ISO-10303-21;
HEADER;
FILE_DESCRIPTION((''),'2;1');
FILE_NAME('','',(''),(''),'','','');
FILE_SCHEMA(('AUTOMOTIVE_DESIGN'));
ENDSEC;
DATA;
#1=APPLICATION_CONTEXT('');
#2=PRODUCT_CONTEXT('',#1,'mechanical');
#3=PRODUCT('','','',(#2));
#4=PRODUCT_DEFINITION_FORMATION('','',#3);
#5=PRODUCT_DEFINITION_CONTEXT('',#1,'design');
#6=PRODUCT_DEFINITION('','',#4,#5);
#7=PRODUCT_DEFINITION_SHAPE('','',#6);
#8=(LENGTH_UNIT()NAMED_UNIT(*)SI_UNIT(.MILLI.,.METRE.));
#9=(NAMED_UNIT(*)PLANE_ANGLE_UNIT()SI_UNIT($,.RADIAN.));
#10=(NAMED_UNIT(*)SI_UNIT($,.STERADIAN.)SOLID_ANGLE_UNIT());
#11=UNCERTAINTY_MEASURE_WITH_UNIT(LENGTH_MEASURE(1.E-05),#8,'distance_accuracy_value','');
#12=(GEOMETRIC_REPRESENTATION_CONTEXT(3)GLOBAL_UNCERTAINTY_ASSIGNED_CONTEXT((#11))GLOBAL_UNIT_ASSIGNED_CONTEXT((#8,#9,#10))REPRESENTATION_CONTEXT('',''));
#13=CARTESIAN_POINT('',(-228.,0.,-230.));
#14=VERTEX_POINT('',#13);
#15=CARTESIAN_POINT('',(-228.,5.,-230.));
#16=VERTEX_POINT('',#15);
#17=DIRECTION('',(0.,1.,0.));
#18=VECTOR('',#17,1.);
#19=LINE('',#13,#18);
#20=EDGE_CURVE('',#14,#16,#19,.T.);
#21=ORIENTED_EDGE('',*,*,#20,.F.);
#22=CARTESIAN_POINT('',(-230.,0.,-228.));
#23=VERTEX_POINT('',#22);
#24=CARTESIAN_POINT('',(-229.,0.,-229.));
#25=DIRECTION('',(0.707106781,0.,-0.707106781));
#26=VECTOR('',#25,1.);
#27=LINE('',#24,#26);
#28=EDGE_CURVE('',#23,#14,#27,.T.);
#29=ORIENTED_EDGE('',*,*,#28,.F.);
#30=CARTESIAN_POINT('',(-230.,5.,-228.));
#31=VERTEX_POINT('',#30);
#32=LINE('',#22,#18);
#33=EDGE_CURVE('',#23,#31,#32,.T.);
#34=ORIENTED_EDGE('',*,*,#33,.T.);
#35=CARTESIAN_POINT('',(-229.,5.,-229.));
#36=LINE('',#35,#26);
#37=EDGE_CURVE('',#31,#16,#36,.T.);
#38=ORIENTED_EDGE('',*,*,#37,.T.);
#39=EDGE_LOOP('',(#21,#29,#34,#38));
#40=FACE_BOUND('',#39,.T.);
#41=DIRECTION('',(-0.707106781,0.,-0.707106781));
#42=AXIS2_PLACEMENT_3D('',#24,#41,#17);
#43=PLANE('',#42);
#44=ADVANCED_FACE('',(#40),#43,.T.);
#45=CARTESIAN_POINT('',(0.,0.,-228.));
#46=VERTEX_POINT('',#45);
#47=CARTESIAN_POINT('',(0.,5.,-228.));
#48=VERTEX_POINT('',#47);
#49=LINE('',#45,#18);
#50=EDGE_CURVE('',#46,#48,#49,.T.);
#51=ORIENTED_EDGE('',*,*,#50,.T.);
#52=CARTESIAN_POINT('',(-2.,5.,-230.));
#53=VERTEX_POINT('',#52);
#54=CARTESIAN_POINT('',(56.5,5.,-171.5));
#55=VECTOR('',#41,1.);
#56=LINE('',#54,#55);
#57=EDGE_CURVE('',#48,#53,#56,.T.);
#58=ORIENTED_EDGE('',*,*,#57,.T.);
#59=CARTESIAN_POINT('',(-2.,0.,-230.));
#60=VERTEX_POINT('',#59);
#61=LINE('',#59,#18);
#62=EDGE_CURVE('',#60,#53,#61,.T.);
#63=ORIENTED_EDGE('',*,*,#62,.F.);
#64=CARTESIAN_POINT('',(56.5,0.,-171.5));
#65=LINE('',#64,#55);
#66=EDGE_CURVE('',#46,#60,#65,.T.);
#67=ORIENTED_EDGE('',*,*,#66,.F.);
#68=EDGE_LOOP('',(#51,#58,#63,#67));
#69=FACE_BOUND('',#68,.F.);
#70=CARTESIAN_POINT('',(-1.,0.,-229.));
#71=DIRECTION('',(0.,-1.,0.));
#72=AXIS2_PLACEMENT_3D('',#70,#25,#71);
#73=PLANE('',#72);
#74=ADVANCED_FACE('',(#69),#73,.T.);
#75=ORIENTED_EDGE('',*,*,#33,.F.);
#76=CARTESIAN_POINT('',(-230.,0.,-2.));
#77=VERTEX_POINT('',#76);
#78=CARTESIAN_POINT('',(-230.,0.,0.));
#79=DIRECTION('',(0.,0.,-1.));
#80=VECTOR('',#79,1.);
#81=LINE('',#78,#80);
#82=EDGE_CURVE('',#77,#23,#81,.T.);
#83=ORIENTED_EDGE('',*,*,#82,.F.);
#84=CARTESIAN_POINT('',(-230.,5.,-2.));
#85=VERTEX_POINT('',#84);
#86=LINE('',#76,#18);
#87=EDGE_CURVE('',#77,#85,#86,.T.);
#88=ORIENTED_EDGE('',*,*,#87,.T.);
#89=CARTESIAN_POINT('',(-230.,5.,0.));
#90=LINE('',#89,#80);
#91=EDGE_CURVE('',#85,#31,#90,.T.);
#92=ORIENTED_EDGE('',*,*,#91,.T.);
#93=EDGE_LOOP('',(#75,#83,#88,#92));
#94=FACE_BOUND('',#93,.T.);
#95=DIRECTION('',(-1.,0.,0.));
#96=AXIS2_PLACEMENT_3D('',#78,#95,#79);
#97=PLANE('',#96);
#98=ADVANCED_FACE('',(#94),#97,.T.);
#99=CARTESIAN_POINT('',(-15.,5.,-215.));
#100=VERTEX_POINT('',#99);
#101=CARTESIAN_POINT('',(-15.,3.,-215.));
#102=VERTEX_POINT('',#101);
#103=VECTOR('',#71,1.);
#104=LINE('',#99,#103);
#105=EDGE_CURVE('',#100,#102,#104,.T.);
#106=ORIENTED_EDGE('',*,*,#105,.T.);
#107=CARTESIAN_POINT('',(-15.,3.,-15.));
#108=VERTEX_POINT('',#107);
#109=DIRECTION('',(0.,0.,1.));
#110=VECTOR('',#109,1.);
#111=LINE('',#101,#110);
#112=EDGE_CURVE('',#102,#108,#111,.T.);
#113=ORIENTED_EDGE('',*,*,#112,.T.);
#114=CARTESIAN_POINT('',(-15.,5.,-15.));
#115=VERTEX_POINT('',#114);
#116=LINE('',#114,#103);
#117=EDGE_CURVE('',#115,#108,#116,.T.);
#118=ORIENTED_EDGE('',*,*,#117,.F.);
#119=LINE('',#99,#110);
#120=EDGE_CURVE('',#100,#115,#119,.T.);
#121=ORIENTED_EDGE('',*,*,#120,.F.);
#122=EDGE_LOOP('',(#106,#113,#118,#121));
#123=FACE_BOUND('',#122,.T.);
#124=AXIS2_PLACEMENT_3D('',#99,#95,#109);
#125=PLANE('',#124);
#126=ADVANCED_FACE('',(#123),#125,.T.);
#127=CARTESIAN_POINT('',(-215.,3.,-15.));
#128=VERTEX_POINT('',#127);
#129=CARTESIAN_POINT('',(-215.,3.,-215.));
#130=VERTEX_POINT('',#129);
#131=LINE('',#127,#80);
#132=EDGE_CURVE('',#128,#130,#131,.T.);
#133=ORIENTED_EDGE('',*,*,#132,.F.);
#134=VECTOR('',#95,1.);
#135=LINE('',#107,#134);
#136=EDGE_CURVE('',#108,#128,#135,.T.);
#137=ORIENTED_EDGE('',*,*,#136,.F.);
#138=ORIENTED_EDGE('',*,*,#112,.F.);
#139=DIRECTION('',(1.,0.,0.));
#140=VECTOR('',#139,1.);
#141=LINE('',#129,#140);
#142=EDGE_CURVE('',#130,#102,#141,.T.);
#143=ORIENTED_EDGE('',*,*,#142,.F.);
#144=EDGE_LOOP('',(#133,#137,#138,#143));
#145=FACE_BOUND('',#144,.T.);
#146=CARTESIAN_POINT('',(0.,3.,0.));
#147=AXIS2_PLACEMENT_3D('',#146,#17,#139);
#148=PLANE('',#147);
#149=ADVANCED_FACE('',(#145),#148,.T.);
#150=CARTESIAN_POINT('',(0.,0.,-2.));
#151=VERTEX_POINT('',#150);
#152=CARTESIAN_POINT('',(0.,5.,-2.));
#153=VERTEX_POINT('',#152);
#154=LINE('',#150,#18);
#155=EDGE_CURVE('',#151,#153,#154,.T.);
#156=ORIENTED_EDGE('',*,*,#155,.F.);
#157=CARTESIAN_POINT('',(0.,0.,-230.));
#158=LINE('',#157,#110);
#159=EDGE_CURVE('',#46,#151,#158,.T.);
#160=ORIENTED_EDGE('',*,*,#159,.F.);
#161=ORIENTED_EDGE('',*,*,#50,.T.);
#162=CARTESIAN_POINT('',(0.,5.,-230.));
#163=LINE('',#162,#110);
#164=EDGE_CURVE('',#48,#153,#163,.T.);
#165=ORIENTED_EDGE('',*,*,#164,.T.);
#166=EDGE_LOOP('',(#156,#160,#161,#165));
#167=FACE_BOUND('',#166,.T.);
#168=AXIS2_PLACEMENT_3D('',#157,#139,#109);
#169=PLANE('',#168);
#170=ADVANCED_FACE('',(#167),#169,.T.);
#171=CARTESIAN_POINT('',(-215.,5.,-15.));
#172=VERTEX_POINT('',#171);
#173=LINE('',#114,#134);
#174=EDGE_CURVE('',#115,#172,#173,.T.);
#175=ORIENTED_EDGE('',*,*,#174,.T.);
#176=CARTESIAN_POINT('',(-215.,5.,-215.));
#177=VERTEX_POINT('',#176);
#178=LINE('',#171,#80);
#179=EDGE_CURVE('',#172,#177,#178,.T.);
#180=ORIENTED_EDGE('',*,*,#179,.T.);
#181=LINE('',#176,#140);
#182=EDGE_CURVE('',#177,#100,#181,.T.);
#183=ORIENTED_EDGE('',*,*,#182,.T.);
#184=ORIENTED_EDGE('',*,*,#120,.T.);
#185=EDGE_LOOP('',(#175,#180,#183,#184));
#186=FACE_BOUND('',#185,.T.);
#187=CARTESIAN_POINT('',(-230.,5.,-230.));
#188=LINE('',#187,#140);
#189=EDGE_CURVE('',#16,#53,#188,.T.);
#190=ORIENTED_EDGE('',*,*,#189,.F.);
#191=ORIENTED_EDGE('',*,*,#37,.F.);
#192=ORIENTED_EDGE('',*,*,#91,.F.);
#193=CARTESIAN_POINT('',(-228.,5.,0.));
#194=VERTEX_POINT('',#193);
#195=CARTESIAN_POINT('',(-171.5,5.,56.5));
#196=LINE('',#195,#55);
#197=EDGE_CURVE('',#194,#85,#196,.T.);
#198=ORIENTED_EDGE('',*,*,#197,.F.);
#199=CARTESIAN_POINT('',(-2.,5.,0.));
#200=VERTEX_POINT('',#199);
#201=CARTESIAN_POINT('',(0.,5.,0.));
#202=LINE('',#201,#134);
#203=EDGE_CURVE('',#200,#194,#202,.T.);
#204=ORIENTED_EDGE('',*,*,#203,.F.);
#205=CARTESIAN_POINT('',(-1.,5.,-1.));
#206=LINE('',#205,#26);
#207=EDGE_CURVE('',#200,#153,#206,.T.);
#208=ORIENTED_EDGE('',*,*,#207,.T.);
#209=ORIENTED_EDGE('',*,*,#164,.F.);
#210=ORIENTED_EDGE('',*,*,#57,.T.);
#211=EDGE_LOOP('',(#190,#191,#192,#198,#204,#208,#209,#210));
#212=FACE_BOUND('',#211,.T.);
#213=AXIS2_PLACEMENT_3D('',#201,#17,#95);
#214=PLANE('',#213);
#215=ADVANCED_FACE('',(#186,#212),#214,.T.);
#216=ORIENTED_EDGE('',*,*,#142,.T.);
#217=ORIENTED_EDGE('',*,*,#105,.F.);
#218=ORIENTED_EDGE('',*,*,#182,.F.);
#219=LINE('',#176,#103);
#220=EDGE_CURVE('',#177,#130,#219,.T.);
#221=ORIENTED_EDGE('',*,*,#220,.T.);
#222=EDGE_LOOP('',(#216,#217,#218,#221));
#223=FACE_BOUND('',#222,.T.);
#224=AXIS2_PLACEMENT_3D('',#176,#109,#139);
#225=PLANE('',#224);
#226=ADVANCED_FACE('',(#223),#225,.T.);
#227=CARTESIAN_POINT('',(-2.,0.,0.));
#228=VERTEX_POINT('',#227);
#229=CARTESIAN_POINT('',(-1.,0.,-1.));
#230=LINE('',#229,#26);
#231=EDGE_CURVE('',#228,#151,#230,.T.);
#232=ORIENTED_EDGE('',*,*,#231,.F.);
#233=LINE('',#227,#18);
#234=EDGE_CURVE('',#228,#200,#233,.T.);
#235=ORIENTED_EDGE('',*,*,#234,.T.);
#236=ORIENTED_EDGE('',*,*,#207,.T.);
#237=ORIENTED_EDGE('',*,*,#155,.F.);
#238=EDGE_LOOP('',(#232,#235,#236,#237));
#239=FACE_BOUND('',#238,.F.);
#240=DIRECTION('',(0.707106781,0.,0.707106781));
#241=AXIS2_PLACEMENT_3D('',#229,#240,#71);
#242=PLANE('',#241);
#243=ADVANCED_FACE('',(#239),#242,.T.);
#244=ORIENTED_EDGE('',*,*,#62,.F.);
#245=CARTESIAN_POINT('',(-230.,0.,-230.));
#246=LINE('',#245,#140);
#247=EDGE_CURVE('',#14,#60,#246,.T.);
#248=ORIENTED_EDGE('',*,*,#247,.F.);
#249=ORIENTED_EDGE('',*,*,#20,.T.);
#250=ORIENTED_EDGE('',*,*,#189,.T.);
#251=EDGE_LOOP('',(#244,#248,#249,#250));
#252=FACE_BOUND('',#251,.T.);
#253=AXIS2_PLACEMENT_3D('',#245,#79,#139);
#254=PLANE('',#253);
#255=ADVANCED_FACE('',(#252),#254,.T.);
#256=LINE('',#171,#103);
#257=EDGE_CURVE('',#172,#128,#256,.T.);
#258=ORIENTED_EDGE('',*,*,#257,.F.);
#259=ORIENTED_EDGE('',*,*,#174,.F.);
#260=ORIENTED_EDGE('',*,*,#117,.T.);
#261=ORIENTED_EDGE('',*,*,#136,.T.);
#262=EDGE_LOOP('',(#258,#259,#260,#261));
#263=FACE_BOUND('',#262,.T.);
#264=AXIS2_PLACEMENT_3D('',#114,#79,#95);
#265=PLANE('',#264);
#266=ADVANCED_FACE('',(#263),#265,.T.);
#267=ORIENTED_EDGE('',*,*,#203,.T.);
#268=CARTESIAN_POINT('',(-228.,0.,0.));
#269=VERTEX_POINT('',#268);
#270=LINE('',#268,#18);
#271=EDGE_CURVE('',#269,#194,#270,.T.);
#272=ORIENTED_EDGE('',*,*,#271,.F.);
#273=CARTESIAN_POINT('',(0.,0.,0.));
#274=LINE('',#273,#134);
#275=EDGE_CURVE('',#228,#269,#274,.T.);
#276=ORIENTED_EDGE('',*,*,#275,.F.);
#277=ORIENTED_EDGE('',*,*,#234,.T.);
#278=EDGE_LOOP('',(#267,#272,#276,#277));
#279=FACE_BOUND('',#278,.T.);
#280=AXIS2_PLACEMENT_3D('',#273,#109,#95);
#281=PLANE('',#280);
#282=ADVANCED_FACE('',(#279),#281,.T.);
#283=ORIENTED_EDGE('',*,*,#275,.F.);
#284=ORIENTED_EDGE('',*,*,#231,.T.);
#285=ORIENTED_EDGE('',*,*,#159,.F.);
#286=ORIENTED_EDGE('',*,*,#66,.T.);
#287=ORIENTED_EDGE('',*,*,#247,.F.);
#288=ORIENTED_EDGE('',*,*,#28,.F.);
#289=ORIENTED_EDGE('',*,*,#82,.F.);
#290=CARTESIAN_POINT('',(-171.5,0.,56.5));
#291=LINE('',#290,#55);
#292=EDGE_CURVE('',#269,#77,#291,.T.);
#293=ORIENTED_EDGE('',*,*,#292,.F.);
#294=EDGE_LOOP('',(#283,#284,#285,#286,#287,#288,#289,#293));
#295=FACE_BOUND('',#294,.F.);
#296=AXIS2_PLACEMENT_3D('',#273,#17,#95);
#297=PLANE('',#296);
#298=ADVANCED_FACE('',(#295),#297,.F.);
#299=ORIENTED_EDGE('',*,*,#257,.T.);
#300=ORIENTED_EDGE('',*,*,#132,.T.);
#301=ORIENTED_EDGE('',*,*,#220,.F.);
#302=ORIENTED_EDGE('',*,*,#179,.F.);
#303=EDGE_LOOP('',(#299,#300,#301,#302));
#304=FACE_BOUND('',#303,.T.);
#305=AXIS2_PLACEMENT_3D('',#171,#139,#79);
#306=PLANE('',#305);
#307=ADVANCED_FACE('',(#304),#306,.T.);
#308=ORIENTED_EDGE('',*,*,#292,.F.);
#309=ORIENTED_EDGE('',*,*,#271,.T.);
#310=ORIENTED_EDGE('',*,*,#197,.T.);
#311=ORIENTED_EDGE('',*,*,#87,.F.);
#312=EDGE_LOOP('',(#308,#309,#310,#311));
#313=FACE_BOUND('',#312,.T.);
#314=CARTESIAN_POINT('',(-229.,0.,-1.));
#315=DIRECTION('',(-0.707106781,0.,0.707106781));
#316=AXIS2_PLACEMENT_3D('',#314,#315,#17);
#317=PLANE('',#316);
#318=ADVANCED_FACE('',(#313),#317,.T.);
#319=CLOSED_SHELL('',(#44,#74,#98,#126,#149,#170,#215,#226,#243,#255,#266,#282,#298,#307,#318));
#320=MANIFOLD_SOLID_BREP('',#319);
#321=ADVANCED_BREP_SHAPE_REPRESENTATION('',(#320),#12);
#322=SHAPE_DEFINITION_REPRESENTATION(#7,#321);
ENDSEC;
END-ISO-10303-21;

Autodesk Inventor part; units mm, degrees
ref_plane "YZ Plane" through (0, 0, 0) normal (1, 0, 0) x (0, 1, 0)
ref_plane "XZ Plane" through (0, 0, 0) normal (0, 1, 0) x (-1, 0, 0)
ref_plane "XY Plane" through (0, 0, 0) normal (0, 0, 1) x (1, 0, 0)
sketch "Sketch1" plane through (0, 0, 0) normal (0, 1, 0) x (-1, 0, 0)
  line L0 (0, 0) -> (230, 0)
  line L1 (230, 0) -> (230, -230)
  line L2 (230, -230) -> (0, -230)
  line L3 (0, -230) -> (0, 0)
  dimension "d0" = 230
  dimension "d1" = 230
extrude "Extrusion1" add sketch "Sketch1" along normal blind 5
sketch "Sketch2" plane through (0, 5, 0) normal (0, 1, 0) x (1, 0, 0)
  line L0 (-215, 215) -> (-15, 215)
  line L1 (-15, 215) -> (-15, 15)
  line L2 (-15, 15) -> (-215, 15)
  line L3 (-215, 15) -> (-215, 215)
  line L4 (-230, 230) -> (-230, 0) projected
  point P0 (0, 0)
  dimension "d4" = 200
  dimension "d5" = 200
  dimension "d6" = 15
  dimension "d7" = 15
extrude "Extrusion2" cut sketch "Sketch2" against normal blind 2
chamfer "Chamfer1" distance 2 angle 45 4 edges at (-230, 2.5, 0) (-230, 2.5, -230) (0, 2.5, -230) (0, 2.5, 0)
properties part number "MouldBase20"
